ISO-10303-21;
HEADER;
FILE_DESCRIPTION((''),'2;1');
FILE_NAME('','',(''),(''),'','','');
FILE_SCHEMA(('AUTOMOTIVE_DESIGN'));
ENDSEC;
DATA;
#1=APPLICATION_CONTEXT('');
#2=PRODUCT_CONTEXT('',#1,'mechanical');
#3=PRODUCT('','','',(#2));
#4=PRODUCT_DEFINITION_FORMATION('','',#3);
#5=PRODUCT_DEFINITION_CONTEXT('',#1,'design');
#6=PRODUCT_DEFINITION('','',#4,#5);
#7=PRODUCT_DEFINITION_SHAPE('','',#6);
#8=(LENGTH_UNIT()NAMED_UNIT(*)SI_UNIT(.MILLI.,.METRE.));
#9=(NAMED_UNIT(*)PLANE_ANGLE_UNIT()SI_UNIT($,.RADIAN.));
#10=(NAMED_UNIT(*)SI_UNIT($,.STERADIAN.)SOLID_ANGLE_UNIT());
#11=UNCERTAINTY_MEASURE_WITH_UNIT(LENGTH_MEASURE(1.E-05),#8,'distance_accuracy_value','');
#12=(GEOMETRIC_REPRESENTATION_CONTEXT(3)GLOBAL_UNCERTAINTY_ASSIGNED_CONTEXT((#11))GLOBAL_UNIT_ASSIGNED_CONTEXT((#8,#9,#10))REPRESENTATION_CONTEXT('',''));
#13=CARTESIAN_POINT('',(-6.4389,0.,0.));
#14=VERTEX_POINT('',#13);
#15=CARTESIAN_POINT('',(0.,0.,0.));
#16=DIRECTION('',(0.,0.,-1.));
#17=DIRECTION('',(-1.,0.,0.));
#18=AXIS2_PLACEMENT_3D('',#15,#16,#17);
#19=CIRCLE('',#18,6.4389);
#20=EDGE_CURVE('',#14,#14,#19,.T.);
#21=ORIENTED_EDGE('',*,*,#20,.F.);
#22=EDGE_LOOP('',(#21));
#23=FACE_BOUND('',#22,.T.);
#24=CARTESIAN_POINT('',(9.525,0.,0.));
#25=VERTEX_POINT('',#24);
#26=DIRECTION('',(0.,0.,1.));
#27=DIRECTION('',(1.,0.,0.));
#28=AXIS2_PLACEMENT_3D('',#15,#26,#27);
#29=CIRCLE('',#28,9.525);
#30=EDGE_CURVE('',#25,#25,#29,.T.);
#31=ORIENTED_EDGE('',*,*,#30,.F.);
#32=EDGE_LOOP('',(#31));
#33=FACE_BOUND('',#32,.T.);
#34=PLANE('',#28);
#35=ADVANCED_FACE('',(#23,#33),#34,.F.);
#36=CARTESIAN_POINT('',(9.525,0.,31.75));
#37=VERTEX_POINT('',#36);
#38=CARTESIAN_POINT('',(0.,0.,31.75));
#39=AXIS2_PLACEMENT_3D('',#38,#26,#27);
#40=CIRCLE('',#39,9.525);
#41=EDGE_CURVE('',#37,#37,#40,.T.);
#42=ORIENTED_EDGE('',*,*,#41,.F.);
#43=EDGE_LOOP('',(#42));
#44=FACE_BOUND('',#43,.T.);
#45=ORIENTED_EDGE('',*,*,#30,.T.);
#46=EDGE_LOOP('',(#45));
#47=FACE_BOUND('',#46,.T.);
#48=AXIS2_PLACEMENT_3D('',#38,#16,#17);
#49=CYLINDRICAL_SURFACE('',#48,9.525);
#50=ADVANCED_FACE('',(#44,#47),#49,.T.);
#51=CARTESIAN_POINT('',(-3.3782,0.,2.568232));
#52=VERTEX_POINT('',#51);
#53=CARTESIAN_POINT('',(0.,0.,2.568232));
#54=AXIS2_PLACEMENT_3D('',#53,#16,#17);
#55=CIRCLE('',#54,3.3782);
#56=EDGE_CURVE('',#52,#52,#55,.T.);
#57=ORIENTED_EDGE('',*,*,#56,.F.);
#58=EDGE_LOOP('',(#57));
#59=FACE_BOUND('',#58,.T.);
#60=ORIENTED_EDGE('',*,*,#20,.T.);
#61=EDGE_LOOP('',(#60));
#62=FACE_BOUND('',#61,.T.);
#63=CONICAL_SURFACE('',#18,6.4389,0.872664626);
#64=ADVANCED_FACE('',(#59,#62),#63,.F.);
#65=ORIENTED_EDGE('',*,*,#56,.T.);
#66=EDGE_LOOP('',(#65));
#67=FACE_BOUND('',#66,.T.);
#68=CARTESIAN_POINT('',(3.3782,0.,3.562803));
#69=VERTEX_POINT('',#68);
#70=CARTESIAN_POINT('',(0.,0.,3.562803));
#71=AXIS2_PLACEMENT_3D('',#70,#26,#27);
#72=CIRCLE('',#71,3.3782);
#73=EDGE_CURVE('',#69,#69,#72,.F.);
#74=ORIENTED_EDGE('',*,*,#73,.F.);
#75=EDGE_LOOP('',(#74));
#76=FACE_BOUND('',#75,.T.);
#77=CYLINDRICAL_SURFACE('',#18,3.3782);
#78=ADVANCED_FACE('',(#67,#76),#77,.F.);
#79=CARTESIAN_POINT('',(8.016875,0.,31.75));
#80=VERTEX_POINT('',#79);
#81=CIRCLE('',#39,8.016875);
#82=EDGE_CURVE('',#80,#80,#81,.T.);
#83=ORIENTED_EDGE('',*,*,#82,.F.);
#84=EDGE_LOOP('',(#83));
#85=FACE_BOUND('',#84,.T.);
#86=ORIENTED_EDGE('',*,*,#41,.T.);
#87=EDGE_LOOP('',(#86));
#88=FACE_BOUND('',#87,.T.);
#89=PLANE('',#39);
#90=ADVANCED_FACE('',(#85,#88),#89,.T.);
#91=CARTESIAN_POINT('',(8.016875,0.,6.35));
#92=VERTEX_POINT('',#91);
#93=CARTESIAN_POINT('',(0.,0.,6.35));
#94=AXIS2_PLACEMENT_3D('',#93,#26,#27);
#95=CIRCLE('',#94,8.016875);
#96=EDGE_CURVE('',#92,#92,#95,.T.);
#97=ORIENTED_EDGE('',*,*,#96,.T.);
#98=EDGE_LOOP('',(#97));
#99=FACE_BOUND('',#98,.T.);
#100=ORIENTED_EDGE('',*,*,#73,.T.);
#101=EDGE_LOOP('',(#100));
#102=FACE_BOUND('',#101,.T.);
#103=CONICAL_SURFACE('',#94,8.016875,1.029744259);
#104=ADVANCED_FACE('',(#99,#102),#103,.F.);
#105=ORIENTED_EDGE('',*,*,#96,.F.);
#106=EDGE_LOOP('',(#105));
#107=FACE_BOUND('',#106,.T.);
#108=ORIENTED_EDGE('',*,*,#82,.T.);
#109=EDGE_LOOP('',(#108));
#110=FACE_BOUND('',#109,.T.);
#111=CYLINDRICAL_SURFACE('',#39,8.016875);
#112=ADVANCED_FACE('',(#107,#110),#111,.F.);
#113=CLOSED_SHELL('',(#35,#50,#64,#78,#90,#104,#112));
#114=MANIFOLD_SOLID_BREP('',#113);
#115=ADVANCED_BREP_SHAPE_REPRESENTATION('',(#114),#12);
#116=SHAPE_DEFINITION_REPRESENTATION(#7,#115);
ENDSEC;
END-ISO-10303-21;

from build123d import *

# Parameters (mm, degrees)
SKETCH1_R                                           = 9.525
BOSS_EXTRUDE1_DEPTH                                 = 31.75
F_17_32_0_53125_DIAMETER_HOLE3_D                    = 16.03375
F_17_32_0_53125_DIAMETER_HOLE3_DEPTH                = 25.4
F_17_32_0_53125_DIAMETER_HOLE3_TIP                  = 4.817024475
CSK_FOR_1_4_FLAT_HEAD_MACHINE_SCREW_100_D           = 6.7564
CSK_FOR_1_4_FLAT_HEAD_MACHINE_SCREW_100_DEPTH       = 25.4
CSK_FOR_1_4_FLAT_HEAD_MACHINE_SCREW_100_CSINK_D     = 12.8778
CSK_FOR_1_4_FLAT_HEAD_MACHINE_SCREW_100_CSINK_ANGLE = 100
CSK_FOR_1_4_FLAT_HEAD_MACHINE_SCREW_100_TIP         = 2.029827343


with BuildPart() as part:
    # Sketch1 → Boss-Extrude1 (new body)
    with BuildSketch(Plane.XY):
        Circle(SKETCH1_R)
    extrude(amount=BOSS_EXTRUDE1_DEPTH)

    # 17/32 (0.53125) Diameter Hole3
    with Locations(Plane.XY.offset(31.75)):
        with Locations((0, 0)):
            Hole(F_17_32_0_53125_DIAMETER_HOLE3_D / 2, depth=F_17_32_0_53125_DIAMETER_HOLE3_DEPTH)
            with Locations((0, 0, -(F_17_32_0_53125_DIAMETER_HOLE3_DEPTH + F_17_32_0_53125_DIAMETER_HOLE3_TIP / 2))):  # 118° drill point
                Cone(0, F_17_32_0_53125_DIAMETER_HOLE3_D / 2, F_17_32_0_53125_DIAMETER_HOLE3_TIP, mode=Mode.SUBTRACT)

    # CSK for 1/4 Flat Head Machine Screw (100)1
    with Locations(Plane(origin=(0, 0, 0), x_dir=(-1, 0, 0), z_dir=(0, 0, -1))):
        with Locations((0, 0)):
            CounterSinkHole(CSK_FOR_1_4_FLAT_HEAD_MACHINE_SCREW_100_D / 2, CSK_FOR_1_4_FLAT_HEAD_MACHINE_SCREW_100_CSINK_D / 2, depth=CSK_FOR_1_4_FLAT_HEAD_MACHINE_SCREW_100_DEPTH, counter_sink_angle=CSK_FOR_1_4_FLAT_HEAD_MACHINE_SCREW_100_CSINK_ANGLE)
            with Locations((0, 0, -(CSK_FOR_1_4_FLAT_HEAD_MACHINE_SCREW_100_DEPTH + CSK_FOR_1_4_FLAT_HEAD_MACHINE_SCREW_100_TIP / 2))):  # 118° drill point
                Cone(0, CSK_FOR_1_4_FLAT_HEAD_MACHINE_SCREW_100_D / 2, CSK_FOR_1_4_FLAT_HEAD_MACHINE_SCREW_100_TIP, mode=Mode.SUBTRACT)


solid = part.part
